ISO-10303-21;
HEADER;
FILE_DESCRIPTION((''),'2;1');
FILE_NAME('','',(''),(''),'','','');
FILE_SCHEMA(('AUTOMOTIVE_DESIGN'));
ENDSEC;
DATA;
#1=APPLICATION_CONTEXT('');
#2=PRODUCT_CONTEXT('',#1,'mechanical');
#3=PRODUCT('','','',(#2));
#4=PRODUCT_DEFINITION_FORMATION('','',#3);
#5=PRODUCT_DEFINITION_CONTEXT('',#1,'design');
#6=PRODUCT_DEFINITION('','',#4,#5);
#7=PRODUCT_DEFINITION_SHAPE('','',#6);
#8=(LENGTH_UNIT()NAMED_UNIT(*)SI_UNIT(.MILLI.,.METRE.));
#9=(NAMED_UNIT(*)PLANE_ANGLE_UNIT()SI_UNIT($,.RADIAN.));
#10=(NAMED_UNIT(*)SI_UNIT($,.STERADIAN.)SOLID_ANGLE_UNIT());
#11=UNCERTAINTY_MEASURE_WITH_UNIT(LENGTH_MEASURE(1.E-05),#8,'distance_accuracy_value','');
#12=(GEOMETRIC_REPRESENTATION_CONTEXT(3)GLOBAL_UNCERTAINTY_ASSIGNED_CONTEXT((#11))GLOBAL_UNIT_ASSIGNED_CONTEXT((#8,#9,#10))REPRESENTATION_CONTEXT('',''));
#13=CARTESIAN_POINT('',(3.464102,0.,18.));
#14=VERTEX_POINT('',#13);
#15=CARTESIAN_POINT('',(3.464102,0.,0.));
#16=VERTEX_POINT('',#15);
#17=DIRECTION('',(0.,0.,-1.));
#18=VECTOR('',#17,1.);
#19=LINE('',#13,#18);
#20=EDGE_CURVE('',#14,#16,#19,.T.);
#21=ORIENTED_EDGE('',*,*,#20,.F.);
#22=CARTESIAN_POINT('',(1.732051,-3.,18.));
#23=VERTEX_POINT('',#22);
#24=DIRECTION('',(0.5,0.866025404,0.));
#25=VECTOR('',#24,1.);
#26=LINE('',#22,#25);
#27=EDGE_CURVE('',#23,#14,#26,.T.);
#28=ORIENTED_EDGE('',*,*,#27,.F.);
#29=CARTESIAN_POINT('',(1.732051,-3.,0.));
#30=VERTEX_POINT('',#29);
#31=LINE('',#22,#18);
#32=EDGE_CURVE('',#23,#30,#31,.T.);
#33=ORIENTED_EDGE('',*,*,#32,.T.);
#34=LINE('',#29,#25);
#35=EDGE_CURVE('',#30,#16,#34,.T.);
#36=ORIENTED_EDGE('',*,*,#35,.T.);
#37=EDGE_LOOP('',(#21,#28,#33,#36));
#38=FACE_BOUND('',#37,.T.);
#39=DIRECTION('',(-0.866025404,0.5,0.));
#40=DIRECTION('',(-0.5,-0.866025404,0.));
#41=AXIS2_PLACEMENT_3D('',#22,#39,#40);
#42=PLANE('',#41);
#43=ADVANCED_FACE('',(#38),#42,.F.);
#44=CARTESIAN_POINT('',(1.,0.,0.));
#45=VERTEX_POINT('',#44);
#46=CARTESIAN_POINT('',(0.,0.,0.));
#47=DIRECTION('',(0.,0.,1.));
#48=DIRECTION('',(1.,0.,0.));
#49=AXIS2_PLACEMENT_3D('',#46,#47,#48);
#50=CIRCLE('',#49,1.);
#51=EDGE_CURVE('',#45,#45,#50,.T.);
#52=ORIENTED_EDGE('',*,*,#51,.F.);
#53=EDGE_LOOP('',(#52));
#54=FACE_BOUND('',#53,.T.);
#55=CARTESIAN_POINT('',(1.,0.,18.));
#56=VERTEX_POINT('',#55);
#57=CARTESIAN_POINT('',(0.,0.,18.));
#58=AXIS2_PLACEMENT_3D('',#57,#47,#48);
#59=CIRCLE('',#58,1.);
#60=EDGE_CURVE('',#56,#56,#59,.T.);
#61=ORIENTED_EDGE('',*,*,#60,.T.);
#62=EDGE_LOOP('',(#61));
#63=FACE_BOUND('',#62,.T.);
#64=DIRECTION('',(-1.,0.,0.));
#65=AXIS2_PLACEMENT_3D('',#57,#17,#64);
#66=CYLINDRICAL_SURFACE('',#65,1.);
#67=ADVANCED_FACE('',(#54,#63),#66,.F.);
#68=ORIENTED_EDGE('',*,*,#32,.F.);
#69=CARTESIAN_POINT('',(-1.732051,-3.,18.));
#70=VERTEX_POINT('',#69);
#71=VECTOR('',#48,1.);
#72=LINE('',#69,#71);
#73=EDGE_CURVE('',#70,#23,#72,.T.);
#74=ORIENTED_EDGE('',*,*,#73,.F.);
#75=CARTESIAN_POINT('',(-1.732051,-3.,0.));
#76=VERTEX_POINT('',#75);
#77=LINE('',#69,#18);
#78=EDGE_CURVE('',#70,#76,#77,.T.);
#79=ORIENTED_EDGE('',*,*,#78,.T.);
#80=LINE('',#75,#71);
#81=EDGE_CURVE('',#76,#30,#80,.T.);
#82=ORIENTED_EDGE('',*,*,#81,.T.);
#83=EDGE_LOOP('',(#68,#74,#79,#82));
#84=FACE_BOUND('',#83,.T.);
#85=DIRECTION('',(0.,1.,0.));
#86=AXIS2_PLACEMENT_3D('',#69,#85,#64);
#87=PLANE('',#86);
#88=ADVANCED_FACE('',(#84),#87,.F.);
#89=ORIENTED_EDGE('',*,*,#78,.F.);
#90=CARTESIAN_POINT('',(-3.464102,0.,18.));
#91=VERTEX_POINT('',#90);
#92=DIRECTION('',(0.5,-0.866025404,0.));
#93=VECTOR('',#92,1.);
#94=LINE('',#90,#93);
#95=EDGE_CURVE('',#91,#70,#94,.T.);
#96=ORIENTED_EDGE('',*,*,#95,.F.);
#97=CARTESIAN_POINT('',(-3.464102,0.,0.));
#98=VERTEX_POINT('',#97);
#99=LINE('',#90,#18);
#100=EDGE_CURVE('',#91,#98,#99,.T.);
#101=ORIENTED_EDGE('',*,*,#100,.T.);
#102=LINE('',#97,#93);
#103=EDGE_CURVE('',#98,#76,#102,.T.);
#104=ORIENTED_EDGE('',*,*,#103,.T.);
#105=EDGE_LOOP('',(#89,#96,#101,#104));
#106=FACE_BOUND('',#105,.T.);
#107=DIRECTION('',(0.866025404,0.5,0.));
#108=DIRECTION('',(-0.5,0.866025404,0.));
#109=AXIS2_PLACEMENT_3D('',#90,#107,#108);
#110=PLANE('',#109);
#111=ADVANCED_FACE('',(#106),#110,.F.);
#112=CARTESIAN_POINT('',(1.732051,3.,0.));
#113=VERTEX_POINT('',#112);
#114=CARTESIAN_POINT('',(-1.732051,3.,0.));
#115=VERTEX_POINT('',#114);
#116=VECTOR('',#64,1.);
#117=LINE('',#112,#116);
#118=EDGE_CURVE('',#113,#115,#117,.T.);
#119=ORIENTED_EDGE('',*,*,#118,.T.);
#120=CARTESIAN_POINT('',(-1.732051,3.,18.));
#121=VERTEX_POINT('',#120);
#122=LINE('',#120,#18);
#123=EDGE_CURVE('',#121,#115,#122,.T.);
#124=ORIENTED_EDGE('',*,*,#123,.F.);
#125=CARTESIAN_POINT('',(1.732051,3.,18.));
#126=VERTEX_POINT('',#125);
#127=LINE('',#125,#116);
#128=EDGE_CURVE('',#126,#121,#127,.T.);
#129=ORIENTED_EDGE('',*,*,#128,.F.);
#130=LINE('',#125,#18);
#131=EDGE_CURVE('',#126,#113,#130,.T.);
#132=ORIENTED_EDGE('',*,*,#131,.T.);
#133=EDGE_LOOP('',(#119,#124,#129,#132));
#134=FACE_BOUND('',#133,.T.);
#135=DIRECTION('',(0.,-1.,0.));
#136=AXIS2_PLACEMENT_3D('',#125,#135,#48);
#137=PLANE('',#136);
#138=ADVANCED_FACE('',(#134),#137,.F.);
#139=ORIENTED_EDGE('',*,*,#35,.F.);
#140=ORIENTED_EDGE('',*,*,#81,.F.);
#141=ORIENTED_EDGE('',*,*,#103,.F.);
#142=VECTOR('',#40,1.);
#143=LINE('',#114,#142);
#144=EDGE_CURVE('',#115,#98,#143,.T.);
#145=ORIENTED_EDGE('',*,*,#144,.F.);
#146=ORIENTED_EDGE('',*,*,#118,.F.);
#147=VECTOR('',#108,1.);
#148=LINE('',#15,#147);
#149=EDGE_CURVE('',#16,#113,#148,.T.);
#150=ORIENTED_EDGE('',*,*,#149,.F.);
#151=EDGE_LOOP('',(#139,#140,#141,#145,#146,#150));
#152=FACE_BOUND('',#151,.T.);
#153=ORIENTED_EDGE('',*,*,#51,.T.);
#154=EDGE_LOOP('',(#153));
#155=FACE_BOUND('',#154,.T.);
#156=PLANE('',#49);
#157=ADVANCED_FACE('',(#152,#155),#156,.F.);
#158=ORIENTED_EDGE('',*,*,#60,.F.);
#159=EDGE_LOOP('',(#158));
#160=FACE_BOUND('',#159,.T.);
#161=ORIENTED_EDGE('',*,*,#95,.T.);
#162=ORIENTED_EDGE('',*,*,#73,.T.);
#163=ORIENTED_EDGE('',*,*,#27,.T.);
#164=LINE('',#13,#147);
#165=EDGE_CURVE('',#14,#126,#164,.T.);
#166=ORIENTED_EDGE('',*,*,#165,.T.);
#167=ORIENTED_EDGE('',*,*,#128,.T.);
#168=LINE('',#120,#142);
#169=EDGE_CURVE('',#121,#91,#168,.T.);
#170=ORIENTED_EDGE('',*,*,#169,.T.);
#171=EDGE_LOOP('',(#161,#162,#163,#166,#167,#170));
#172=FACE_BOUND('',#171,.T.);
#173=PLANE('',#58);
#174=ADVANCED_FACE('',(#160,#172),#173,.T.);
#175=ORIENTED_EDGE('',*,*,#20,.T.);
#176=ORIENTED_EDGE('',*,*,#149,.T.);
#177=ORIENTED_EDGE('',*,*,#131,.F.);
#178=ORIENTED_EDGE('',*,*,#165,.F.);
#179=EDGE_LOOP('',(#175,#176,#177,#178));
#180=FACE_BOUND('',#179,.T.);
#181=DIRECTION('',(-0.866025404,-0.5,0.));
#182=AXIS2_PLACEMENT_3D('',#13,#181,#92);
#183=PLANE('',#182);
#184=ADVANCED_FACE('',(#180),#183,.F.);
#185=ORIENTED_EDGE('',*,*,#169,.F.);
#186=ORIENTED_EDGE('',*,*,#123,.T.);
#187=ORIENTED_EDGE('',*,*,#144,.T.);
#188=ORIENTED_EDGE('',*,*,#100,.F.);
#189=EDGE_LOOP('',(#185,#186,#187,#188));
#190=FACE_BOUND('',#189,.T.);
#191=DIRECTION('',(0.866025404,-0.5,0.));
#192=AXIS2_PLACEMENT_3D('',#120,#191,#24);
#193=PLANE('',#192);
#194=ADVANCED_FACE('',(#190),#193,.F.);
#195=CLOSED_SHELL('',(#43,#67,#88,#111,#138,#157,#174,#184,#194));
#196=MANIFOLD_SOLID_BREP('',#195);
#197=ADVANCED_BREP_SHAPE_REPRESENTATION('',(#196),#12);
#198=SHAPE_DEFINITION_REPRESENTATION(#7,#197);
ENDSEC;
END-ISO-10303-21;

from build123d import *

# Parameters (mm, degrees)
SKETCH1_R           = 1
BOSS_EXTRUDE1_DEPTH = 18


with BuildPart() as part:
    # Sketch1 → Boss-Extrude1 (new body)
    with BuildSketch(Plane.XY):
        Polygon((3.464101615, 0), (1.732050808, 3), (-1.732050808, 3), (-3.464101615, 0), (-1.732050808, -3), (1.732050808, -3), align=None)
        Circle(SKETCH1_R, mode=Mode.SUBTRACT)
    extrude(amount=BOSS_EXTRUDE1_DEPTH)


solid = part.part
